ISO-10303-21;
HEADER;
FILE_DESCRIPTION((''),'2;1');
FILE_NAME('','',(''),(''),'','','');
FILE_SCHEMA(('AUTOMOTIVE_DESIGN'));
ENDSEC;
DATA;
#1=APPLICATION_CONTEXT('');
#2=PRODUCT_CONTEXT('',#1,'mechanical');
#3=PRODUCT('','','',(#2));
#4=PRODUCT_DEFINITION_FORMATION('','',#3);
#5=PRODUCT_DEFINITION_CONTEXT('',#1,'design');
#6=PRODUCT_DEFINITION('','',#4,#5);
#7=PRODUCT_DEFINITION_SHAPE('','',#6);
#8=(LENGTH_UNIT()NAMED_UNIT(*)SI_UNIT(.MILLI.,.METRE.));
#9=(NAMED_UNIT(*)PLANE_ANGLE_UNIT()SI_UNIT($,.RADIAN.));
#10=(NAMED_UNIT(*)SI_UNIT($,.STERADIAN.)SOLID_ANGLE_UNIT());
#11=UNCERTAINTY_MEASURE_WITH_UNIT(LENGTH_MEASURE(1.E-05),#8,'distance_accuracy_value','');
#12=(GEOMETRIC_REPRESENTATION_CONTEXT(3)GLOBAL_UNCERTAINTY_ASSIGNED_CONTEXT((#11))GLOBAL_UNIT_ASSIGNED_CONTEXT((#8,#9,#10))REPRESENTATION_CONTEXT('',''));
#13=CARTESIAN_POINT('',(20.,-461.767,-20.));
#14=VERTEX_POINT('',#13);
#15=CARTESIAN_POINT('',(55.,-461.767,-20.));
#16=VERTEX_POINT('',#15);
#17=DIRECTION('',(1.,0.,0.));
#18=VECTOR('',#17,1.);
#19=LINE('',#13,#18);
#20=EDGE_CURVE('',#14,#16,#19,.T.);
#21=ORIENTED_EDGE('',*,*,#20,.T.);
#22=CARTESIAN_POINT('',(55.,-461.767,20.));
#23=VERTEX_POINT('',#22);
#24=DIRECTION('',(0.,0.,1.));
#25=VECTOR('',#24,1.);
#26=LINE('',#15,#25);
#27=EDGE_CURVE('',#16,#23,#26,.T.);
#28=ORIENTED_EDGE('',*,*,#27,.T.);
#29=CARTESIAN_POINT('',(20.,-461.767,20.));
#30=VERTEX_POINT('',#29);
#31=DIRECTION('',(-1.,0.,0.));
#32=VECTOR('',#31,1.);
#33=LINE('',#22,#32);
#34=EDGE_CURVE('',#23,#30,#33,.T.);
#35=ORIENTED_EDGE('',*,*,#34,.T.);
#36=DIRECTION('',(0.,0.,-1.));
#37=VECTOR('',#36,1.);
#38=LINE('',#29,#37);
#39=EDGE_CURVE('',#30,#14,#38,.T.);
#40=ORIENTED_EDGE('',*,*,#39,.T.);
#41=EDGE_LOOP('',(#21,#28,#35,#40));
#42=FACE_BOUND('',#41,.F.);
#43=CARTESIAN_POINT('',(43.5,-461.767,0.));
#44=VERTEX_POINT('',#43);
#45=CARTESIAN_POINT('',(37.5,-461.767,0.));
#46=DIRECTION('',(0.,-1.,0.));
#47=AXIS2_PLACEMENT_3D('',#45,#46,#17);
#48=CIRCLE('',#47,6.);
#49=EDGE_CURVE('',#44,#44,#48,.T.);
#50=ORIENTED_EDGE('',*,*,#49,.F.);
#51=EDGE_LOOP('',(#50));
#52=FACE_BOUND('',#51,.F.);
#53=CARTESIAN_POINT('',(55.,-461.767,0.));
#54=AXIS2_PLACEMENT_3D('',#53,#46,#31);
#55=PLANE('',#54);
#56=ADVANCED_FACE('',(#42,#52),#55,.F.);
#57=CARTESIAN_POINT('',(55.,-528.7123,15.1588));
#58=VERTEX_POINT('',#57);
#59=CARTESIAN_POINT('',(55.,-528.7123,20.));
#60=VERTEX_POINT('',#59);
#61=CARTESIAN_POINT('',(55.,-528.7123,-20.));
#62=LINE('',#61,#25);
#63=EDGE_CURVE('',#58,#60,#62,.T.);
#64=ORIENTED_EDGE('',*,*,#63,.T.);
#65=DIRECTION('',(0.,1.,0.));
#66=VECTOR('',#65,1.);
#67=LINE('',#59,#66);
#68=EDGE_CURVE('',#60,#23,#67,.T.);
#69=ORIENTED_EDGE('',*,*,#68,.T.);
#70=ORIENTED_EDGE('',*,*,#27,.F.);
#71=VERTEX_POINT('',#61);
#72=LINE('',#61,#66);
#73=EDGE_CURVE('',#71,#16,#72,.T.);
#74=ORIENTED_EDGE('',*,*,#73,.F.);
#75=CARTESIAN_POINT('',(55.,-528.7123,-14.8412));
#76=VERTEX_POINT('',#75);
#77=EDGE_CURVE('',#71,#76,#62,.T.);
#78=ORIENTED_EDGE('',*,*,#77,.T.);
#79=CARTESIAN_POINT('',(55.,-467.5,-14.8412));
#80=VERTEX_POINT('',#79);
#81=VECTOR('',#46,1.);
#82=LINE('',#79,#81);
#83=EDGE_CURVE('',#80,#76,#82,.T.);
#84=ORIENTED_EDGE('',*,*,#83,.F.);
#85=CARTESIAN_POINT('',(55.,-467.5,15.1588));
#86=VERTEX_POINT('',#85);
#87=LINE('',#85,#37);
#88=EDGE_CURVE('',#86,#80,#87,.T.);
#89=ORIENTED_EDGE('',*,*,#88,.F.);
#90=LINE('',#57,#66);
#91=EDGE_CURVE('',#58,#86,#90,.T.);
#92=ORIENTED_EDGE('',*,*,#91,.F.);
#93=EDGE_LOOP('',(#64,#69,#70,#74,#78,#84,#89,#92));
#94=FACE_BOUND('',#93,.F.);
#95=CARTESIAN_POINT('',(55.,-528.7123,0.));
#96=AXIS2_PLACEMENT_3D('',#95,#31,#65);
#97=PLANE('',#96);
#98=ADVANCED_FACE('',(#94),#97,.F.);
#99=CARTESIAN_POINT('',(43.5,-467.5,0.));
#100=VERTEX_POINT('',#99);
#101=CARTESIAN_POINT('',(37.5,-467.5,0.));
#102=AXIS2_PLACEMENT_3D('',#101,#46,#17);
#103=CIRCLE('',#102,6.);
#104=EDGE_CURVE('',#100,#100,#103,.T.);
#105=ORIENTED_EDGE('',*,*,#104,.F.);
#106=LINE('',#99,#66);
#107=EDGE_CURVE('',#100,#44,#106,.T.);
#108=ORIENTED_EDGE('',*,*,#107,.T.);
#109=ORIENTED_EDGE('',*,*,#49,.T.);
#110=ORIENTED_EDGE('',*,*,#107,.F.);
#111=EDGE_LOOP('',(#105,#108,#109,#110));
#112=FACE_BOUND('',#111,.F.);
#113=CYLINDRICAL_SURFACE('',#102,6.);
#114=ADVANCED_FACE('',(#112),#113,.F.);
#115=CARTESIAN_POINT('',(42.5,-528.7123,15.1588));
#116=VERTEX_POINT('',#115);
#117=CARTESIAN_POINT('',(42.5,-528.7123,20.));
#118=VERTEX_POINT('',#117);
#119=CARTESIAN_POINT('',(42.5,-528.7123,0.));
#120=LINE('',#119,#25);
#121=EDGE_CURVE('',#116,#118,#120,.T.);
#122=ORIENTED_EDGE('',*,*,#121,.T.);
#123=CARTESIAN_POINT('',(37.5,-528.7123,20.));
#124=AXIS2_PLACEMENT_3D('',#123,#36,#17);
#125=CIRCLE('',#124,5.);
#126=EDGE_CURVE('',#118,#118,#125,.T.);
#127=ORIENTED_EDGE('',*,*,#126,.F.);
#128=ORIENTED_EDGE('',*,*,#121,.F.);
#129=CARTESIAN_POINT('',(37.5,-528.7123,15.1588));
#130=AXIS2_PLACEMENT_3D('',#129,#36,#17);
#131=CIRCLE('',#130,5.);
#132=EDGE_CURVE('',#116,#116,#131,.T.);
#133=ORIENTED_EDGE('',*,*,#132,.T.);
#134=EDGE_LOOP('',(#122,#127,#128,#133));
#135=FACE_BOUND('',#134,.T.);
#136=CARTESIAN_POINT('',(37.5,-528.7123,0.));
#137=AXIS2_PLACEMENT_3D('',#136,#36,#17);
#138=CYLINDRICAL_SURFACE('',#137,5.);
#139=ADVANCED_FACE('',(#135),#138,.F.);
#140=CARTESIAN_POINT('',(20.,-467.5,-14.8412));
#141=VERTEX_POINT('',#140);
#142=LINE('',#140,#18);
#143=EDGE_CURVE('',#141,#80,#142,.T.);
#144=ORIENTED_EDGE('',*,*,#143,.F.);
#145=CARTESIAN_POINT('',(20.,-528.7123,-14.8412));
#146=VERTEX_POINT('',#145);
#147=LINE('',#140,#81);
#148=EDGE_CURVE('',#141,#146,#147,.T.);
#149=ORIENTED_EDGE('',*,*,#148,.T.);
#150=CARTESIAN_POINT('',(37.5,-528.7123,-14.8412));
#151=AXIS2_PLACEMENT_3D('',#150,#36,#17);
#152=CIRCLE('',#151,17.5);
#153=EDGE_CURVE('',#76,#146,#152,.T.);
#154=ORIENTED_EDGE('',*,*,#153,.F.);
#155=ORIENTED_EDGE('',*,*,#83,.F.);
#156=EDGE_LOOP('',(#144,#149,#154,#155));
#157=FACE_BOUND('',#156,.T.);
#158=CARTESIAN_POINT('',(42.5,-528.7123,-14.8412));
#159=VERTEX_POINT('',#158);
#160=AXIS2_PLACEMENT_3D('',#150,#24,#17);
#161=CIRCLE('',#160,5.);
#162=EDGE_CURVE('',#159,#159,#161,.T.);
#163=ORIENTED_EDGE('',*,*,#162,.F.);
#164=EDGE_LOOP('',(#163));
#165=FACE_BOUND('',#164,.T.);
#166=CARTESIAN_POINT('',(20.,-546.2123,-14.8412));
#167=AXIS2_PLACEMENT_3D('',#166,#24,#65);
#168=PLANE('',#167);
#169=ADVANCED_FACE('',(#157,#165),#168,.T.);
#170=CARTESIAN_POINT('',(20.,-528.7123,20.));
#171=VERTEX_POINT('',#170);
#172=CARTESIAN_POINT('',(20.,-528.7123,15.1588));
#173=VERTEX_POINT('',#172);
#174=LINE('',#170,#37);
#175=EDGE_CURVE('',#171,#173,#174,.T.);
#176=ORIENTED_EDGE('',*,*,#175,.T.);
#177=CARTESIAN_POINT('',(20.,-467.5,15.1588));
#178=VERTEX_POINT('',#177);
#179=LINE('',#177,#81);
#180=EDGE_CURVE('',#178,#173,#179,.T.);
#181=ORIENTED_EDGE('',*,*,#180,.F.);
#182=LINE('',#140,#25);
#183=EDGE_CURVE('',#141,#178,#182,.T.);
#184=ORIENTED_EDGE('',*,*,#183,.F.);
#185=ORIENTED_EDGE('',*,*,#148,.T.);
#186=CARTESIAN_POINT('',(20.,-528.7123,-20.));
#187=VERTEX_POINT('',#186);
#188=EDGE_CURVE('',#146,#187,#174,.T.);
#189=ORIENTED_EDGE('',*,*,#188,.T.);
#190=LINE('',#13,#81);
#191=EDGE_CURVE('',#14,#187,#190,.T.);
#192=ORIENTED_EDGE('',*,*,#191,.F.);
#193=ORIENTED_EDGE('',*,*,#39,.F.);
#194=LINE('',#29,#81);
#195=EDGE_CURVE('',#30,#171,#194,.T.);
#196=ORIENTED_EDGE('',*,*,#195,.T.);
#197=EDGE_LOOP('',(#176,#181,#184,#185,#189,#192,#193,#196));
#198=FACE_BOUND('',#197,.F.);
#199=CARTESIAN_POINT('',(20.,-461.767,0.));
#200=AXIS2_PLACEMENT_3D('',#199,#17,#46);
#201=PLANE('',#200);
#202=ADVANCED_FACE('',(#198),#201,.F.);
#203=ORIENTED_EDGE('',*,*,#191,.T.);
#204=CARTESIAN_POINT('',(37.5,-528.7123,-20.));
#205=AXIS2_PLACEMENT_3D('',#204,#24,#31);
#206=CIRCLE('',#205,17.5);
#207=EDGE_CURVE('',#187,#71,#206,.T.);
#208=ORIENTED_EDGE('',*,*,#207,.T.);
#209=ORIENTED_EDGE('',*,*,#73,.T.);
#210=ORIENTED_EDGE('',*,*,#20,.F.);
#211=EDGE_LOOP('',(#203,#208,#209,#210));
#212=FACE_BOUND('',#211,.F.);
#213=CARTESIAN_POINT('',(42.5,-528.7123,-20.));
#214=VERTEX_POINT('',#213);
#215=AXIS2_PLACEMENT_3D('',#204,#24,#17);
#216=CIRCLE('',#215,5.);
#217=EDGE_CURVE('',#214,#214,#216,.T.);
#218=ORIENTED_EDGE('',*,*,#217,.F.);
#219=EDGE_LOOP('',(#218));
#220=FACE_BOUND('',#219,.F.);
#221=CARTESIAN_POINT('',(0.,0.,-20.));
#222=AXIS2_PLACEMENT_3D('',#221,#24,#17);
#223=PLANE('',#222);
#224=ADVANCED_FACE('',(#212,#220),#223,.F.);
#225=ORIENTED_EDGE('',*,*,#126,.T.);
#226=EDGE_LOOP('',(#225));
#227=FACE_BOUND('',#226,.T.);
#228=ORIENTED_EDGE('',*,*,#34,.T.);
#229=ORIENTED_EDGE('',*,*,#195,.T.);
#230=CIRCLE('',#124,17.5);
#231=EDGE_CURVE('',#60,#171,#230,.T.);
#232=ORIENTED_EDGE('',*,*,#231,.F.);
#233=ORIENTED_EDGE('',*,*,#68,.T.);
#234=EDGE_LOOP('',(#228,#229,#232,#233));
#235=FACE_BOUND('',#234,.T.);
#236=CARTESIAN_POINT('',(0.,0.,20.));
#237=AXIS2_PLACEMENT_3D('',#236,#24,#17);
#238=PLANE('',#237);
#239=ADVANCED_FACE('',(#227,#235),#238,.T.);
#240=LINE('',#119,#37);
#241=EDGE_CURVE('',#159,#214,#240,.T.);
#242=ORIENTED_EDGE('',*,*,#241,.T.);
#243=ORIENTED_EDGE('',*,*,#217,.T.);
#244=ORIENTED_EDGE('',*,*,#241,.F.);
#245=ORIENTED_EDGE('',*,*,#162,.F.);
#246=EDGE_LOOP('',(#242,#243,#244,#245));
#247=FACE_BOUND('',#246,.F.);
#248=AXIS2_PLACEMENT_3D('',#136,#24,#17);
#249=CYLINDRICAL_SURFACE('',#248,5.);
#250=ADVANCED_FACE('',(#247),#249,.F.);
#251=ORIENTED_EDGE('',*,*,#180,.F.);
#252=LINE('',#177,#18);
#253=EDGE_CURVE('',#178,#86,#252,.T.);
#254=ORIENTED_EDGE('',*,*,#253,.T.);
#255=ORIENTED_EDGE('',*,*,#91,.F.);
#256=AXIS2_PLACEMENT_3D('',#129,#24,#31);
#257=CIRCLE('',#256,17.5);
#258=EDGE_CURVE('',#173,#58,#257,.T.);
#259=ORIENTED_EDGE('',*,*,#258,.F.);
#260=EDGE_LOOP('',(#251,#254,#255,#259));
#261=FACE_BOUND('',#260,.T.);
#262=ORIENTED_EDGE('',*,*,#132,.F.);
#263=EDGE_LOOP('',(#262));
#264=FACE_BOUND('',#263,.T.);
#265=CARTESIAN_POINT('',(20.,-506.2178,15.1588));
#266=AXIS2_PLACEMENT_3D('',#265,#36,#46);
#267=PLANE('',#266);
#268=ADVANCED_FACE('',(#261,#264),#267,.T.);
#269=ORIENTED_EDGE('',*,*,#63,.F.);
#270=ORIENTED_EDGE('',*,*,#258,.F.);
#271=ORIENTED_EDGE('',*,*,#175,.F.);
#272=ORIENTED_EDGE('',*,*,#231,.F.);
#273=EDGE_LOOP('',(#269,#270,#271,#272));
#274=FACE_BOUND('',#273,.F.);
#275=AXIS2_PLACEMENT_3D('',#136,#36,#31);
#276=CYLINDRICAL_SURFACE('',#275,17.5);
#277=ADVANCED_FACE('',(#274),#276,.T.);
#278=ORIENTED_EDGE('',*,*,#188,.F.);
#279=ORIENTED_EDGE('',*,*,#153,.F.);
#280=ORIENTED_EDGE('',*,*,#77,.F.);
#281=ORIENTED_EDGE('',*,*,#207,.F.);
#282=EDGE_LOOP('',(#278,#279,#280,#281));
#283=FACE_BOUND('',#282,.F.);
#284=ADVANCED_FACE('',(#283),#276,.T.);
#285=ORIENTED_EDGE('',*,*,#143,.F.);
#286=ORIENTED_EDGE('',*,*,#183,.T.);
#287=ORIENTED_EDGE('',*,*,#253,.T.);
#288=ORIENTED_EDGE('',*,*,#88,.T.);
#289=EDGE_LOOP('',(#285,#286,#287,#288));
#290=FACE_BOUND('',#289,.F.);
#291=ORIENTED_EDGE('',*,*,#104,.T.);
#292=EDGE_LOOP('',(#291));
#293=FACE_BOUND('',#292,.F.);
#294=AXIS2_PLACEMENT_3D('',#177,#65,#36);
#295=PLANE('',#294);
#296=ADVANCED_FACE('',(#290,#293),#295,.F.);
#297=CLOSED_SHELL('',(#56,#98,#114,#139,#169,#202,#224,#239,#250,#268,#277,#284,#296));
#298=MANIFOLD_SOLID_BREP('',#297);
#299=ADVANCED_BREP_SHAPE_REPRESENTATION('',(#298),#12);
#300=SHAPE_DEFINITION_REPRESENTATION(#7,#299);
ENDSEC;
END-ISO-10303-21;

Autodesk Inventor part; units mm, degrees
ref_plane "YZ Plane" through (0, 0, 0) normal (1, 0, 0) x (0, 1, 0)
ref_plane "XZ Plane" through (0, 0, 0) normal (0, 1, 0) x (-1, 0, 0)
ref_plane "XY Plane" through (0, 0, 0) normal (0, 0, 1) x (1, 0, 0)
ref_plane "Work Plane1" through (0, 0, 0) normal (0, 0, 1) x (1, 0, 0)
sketch "Sketch1" plane through (0, 0, 0) normal (0, 0, 1) x (1, 0, 0)
  line L0 (55, -528.7123) -> (55, -461.767)
  line L1 (55, -461.767) -> (20, -461.767)
  line L2 (20, -461.767) -> (20, -528.7123)
  arc A0 (20, -528.7123) -> (55, -528.7123) centre (37.5, -528.7123) ccw
  line L3 (43.5, -461.767) -> (31.5, -461.767) projected
  line L4 (37.5, -461.767) -> (37.5, -485.2876) construction
  arc A1 (30.6824, -513.1447) -> (23.108, -519.6737) centre (26.8952, -516.4092) ccw projected
  line L5 (88.3973, -595.4186) -> (23.108, -519.6737) projected
  line L6 (30.6824, -513.1447) -> (95.9718, -588.8897) projected
  arc A2 (88.3973, -595.4186) -> (95.9718, -588.8897) centre (92.1846, -592.1541) ccw projected
  line L7 (92.1846, -592.1541) -> (26.8952, -516.4092) construction
  circle A3 centre (37.5, -528.7123) radius 5
  point P0 (0, 0)
  dimension "d0" = 23.5206
  dimension "d1" = 35
extrude "Extrusion1" add sketch "Sketch1" along normal mid plane 40 contours A0 L6 A1 L5 L2 L1 L0 | A0 L5 A3 L6 | A3 L5 A1 L6
sketch "Sketch2" plane through (20, -528.7123, 20) normal (-1, 0, 0) x (0, 0, 1)
  line L0 (-11, 54.2123) -> (-29, 54.2123) projected
  line L1 (-11, 61.2123) -> (-29, 61.2123) projected
  line L2 (-34.8412, -128.9954) -> (-34.8412, 22.4945) projected
  line L3 (-4.8412, 22.4945) -> (-4.8412, -128.9954) projected
  line L4 (-40, -17.5) -> (0, -17.5) projected
  line L5 (-4.8412, -17.5) -> (-4.8412, 61.2123)
  line L6 (-4.8412, 61.2123) -> (-34.8412, 61.2123)
  line L7 (-34.8412, 61.2123) -> (-34.8412, -17.5)
  point P0 (-20, 528.7123)
  point P1 (-34.8412, 22.4945)
  point P2 (-29, 61.2123)
extrude "Extrusion2" cut sketch "Sketch2" against normal through all
sketch "Sketch3" plane through (20, -467.5, -14.8412) normal (0, -1, 0) x (1, 0, 0)
  circle A0 centre (17.5, 14.8412) radius 6 projected
  point P0 (-20, 14.8412)
extrude "Extrusion3" cut sketch "Sketch3" against normal through all
properties part number "Junta Revoluta"
